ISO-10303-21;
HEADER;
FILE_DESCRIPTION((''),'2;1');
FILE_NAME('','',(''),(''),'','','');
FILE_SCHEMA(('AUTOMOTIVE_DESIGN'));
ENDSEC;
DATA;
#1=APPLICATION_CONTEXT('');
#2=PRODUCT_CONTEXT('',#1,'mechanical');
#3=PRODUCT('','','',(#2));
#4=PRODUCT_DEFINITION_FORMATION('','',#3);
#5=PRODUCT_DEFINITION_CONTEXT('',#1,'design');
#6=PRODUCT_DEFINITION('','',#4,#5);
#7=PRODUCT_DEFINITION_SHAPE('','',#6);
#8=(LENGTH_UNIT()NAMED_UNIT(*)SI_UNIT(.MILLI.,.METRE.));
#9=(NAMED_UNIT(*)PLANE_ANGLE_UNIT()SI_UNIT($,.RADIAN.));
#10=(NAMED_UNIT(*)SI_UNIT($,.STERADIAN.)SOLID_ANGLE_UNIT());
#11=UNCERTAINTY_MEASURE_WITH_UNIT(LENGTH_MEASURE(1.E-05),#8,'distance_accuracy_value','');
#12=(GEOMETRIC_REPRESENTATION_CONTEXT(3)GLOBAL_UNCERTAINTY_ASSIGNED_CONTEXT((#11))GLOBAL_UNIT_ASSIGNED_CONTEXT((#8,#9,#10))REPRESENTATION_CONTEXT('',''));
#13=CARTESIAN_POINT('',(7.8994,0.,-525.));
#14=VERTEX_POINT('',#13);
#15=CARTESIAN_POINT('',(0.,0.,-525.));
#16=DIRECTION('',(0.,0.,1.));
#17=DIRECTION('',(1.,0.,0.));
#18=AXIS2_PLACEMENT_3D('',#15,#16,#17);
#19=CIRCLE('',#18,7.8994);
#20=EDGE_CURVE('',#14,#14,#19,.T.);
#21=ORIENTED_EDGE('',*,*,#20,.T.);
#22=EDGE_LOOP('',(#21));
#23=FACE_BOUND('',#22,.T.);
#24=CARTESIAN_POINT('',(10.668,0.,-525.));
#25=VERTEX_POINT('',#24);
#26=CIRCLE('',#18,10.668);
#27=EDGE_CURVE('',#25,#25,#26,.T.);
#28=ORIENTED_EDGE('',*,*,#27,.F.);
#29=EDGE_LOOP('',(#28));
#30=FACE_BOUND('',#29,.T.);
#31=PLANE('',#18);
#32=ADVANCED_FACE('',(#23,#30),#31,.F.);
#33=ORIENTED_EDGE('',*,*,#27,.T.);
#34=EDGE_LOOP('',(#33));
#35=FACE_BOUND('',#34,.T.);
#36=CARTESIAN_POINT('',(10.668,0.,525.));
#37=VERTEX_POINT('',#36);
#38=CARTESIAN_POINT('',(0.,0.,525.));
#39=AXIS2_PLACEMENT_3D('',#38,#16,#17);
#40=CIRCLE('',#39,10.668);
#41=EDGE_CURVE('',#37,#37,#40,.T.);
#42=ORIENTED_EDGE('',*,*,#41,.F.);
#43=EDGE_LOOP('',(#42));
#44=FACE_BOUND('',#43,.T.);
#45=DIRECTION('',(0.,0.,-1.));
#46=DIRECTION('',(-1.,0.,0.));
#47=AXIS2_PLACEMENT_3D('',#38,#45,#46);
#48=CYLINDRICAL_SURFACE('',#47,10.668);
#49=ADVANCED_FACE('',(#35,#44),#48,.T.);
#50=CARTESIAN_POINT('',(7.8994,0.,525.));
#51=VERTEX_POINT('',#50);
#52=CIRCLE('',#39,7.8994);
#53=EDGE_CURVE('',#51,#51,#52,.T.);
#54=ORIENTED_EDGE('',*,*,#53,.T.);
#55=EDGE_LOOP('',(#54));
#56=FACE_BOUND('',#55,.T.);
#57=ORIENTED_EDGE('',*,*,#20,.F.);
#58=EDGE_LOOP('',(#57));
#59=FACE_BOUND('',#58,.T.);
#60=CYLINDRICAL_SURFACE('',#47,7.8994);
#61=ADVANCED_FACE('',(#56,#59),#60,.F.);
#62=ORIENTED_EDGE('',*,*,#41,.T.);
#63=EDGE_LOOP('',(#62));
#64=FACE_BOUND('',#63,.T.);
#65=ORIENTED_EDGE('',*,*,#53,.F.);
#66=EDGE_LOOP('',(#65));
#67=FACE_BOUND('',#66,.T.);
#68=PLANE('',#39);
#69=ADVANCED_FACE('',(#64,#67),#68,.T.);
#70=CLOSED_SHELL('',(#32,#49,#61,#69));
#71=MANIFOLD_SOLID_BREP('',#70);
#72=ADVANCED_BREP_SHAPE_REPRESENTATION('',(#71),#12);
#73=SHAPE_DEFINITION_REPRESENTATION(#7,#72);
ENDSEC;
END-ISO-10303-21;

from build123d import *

# Parameters (mm, degrees)
SKETCH1_R           = 10.668
SKETCH1_R_2         = 7.8994
EXTRUDE_THIN1_DEPTH = 525


with BuildPart() as part:
    # Sketch1 → Extrude-Thin1 (new, symmetric)
    with BuildSketch(Plane.XY):
        Circle(SKETCH1_R)
        Circle(SKETCH1_R_2, mode=Mode.SUBTRACT)
    extrude(amount=EXTRUDE_THIN1_DEPTH, both=True)


solid = part.part
